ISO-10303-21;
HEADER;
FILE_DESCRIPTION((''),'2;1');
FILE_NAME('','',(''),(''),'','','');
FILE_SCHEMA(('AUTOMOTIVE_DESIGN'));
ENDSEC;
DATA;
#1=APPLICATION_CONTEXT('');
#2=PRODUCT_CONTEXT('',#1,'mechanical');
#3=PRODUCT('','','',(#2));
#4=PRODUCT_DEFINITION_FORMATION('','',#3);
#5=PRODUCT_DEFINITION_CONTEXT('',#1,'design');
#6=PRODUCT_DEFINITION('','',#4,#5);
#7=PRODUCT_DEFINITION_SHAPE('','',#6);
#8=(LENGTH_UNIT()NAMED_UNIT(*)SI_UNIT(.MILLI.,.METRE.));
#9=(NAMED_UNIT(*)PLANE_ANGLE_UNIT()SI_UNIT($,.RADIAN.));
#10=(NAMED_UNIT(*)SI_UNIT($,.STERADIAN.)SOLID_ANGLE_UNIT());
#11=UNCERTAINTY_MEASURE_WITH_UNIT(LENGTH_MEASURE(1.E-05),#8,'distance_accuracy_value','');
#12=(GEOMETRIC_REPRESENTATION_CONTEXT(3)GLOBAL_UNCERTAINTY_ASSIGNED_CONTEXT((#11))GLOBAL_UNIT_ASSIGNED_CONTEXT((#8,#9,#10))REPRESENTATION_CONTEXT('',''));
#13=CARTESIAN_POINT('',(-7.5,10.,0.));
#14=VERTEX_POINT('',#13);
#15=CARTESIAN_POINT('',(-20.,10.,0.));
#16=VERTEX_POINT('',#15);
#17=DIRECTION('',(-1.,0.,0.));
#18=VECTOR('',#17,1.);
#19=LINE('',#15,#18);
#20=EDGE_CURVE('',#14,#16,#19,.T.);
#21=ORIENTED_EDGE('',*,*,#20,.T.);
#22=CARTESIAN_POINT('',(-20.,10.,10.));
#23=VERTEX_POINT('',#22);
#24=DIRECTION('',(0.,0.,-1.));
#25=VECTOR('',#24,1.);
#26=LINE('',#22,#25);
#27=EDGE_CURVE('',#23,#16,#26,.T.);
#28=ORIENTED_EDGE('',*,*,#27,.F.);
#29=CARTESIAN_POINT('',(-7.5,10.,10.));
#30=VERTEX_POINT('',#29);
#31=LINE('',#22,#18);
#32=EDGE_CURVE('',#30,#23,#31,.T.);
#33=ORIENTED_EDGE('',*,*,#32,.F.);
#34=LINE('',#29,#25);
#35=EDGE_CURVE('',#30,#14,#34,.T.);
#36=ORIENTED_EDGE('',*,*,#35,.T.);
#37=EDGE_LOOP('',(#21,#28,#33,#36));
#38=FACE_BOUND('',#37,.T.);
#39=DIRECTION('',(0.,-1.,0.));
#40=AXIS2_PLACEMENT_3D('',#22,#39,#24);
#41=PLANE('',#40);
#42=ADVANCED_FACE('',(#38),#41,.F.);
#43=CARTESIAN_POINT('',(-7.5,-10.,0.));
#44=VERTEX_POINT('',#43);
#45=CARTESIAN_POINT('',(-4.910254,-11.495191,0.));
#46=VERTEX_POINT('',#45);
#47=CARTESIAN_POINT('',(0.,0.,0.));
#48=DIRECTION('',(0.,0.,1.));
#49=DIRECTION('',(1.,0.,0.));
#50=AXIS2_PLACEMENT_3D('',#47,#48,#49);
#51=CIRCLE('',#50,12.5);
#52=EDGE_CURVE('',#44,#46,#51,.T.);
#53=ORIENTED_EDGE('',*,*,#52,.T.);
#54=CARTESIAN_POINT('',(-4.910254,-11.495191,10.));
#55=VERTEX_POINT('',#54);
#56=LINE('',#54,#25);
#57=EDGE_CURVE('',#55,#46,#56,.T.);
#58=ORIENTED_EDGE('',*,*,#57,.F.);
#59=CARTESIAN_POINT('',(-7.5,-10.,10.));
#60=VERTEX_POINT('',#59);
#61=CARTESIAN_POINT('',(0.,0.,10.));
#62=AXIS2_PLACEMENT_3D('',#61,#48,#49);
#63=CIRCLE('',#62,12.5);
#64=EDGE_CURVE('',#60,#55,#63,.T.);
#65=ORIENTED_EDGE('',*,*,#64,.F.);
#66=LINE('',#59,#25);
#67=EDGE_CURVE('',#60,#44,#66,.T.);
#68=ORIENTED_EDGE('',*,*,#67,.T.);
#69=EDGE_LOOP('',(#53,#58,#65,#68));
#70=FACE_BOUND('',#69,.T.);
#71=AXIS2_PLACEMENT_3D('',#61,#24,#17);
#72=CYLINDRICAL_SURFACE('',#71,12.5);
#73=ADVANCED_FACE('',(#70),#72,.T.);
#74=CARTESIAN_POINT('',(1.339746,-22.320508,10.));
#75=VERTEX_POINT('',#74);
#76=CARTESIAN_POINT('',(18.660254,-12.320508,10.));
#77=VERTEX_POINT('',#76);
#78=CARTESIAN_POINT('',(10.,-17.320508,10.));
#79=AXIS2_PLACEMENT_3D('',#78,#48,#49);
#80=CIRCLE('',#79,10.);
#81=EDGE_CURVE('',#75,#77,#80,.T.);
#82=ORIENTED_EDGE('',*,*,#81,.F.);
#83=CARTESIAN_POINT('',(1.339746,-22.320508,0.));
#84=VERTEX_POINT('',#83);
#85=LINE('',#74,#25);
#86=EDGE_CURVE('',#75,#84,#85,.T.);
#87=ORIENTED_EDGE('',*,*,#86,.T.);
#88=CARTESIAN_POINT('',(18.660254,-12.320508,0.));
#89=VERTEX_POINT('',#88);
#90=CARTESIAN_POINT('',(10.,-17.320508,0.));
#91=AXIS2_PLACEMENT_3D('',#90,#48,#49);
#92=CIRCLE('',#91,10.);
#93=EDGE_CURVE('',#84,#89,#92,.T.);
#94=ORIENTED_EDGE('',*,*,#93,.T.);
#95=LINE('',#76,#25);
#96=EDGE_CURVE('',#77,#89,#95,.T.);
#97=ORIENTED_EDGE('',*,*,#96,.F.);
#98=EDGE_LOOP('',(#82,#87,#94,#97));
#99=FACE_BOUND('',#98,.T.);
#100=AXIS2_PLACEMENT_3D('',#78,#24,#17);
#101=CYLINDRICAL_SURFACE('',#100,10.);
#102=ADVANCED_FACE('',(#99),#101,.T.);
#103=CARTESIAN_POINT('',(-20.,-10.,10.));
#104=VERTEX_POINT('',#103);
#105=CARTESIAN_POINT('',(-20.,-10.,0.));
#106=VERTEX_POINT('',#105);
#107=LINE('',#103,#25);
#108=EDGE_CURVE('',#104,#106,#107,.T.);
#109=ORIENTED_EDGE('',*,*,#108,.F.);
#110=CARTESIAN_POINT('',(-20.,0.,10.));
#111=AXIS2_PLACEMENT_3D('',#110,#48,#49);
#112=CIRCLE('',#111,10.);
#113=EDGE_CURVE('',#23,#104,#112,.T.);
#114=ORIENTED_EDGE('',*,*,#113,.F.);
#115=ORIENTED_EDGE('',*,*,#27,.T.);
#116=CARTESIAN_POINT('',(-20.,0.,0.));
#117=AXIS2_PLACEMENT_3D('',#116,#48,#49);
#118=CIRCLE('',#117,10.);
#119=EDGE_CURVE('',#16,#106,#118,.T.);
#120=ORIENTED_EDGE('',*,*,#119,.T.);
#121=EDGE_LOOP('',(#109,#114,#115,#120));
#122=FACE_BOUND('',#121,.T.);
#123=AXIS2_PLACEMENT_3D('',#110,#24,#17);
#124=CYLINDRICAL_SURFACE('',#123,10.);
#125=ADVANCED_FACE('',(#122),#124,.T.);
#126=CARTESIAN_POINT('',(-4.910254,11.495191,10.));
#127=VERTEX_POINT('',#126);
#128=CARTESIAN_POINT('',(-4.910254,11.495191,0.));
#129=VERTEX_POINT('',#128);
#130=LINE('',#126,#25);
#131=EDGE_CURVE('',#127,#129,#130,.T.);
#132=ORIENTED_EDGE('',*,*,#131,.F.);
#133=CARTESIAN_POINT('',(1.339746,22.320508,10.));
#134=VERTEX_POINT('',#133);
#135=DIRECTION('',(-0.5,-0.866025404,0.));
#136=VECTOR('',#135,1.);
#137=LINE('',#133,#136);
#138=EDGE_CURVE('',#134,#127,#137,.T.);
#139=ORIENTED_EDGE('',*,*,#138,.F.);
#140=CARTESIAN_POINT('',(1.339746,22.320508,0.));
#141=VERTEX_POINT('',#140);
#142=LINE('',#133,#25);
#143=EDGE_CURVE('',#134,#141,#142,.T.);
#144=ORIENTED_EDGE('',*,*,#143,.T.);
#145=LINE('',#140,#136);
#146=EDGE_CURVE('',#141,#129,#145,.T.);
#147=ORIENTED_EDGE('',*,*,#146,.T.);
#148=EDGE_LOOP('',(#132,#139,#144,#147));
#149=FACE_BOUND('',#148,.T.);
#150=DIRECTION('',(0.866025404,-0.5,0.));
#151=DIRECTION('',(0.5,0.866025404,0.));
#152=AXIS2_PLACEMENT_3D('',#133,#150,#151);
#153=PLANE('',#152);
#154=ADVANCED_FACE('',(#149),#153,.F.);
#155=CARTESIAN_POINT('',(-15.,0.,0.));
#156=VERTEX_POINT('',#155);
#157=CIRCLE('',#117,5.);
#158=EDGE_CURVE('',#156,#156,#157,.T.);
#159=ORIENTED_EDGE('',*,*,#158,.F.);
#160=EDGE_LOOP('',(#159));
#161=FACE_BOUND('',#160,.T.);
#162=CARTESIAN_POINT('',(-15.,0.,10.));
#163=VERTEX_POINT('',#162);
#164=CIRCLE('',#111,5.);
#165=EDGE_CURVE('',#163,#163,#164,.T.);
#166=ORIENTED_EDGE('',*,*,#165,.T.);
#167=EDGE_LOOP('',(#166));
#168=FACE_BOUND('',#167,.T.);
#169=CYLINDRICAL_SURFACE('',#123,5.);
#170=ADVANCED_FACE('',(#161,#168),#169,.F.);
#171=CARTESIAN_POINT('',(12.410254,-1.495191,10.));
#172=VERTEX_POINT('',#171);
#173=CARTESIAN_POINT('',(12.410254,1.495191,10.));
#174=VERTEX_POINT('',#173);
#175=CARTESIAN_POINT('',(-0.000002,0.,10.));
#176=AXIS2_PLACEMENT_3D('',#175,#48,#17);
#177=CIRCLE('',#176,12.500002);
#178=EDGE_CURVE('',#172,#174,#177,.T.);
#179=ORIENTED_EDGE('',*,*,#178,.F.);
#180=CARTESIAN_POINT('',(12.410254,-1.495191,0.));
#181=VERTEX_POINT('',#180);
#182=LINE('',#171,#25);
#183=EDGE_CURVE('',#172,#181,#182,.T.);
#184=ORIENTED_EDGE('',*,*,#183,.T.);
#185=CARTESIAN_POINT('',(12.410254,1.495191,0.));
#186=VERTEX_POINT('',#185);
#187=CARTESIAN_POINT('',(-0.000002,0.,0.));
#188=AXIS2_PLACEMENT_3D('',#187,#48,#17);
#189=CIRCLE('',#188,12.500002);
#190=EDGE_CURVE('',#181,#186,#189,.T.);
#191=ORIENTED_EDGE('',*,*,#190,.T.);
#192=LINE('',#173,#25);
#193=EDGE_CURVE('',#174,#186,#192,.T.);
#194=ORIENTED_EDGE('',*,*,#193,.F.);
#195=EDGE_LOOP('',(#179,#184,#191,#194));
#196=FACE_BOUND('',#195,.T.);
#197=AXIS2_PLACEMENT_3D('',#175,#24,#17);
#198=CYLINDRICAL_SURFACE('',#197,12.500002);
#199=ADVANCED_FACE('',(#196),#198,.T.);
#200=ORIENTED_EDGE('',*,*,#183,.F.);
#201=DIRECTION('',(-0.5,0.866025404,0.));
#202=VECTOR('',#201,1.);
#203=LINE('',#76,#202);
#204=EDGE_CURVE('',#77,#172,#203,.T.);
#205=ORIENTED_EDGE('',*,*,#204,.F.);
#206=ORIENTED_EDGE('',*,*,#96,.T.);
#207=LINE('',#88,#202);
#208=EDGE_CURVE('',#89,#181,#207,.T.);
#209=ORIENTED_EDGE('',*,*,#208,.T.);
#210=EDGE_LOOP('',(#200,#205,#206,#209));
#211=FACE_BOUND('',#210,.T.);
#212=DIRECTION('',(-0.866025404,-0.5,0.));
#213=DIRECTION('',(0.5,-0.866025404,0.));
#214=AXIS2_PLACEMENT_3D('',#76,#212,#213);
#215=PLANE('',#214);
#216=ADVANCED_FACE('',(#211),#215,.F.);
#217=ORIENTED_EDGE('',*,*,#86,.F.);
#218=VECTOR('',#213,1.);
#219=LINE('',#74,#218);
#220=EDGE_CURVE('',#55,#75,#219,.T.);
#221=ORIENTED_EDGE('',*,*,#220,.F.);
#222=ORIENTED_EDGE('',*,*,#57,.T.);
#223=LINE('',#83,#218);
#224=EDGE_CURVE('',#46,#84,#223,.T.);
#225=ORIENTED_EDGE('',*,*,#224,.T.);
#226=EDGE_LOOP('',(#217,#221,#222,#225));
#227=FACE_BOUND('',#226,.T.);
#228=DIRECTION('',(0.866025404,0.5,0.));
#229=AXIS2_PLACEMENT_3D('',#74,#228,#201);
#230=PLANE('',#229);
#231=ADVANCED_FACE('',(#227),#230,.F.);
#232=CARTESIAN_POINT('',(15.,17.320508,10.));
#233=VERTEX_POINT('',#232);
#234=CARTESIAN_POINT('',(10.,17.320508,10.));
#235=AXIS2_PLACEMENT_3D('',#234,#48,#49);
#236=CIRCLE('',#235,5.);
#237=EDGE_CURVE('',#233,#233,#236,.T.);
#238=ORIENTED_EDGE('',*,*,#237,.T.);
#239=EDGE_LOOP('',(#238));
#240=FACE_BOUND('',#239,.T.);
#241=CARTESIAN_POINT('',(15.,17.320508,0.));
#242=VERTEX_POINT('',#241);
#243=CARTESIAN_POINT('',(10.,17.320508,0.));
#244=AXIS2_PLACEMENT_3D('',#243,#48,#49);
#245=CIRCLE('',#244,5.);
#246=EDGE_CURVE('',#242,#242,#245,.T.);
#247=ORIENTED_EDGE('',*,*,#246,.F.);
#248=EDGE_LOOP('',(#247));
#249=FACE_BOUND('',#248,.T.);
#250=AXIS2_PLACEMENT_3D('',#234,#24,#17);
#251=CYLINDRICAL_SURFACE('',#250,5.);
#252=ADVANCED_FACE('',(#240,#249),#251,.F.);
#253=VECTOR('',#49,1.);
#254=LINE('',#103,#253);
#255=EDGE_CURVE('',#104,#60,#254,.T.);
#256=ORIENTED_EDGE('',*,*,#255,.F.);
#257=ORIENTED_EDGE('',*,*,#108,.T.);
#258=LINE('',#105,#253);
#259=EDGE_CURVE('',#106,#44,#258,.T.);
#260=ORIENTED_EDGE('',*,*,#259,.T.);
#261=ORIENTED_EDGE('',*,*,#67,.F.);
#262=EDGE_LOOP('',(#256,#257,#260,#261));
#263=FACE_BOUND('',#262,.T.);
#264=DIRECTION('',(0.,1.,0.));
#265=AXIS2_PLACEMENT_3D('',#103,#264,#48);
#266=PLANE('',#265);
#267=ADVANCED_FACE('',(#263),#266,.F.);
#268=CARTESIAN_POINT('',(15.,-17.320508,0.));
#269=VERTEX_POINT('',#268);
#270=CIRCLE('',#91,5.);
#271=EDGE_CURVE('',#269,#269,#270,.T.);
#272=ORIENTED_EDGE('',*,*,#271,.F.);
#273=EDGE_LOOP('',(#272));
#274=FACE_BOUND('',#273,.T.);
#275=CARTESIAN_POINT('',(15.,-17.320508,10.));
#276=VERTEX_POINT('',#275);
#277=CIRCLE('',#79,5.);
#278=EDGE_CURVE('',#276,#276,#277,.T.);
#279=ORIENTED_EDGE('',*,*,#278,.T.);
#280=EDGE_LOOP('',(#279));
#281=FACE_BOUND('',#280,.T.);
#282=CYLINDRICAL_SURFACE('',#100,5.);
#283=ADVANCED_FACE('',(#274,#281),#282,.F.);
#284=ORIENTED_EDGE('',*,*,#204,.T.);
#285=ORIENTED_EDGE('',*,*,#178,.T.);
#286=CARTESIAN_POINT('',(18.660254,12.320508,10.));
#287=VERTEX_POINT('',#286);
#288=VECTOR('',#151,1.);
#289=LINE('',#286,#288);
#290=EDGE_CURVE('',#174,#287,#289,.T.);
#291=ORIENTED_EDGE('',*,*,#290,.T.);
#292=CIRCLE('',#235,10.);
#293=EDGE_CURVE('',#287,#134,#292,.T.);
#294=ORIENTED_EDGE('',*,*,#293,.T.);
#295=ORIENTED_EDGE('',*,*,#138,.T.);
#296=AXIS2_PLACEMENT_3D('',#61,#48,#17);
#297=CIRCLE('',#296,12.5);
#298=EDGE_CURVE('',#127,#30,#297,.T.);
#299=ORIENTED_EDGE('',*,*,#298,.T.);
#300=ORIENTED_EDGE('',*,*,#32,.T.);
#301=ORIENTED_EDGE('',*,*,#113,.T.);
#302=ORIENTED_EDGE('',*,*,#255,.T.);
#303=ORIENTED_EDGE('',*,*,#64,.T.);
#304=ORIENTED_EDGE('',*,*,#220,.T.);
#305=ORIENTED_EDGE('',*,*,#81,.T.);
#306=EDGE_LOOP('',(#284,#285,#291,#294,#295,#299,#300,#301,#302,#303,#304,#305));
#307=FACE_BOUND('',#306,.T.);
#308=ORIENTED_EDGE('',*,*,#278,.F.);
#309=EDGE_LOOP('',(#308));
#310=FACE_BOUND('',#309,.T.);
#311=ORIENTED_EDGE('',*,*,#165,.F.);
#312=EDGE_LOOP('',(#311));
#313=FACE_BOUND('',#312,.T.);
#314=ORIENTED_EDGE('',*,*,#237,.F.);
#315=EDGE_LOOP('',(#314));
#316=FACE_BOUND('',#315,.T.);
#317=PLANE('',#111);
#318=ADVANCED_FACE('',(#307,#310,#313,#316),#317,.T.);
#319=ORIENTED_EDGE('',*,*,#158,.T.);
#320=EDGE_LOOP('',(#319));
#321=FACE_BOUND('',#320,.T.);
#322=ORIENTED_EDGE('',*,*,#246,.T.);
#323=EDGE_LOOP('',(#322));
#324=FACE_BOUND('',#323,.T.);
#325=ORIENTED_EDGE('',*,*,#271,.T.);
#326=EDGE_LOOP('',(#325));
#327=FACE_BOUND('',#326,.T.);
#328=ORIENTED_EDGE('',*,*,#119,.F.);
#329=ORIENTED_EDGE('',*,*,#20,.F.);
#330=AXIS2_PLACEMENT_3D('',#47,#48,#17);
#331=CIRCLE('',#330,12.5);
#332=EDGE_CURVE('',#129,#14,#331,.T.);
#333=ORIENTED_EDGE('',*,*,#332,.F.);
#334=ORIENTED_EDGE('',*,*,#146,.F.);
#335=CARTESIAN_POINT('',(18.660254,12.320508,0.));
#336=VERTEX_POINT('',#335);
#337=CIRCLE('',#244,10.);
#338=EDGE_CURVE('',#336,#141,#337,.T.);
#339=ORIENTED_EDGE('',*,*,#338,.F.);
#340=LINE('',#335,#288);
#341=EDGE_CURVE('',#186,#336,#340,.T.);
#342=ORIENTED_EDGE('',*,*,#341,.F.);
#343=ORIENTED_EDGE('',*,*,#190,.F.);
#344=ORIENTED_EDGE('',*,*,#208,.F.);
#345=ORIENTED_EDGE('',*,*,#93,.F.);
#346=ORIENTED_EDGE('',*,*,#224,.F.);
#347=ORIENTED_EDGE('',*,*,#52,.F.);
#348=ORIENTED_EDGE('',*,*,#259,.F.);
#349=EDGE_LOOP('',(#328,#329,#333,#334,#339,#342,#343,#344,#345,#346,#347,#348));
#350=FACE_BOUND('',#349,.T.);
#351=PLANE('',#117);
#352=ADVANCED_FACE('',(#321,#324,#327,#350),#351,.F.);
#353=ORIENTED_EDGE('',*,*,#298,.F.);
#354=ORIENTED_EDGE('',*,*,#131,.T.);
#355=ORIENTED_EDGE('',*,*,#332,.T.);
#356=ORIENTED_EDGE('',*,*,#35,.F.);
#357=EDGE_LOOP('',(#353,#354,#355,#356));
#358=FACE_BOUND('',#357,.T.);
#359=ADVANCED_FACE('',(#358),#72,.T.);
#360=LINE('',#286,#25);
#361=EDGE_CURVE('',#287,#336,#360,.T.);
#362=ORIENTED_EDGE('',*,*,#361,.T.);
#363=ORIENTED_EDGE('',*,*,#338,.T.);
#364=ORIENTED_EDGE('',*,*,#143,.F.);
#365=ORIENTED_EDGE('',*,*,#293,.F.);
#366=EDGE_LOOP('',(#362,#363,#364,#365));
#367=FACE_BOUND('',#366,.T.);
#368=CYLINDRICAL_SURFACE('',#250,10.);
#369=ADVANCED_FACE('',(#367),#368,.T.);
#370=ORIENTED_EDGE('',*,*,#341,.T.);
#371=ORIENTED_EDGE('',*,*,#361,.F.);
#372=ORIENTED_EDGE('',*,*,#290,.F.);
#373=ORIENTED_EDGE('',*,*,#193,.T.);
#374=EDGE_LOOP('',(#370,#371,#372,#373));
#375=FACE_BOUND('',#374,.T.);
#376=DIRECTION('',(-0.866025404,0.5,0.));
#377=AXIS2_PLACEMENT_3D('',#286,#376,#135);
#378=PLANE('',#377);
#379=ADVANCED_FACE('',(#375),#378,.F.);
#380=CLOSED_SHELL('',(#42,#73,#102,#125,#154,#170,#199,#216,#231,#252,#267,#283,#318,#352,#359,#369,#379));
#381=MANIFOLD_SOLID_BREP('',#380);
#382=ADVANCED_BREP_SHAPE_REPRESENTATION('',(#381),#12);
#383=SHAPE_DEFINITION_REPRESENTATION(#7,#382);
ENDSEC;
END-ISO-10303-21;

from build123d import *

# Parameters (mm, degrees)
CROQUIS1_R              = 5
SALIENTE_EXTRUIR1_DEPTH = 10


with BuildPart() as part:
    # Croquis1 → Saliente-Extruir1 (new body)
    with BuildSketch(Plane.XY):
        with BuildLine():
            Line((-20, 10), (-7.5, 10))
            ThreePointArc((-7.5, 10), (-6.25, 10.825317547), (-4.910254038, 11.495190528))
            Line((-4.910254038, 11.495190528), (1.339745962, 22.320508076))
            ThreePointArc((1.339745962, 22.320508076), (15, 25.980762114), (18.660254038, 12.320508076))
            Line((18.660254038, 12.320508076), (12.410254038, 1.495190528))
            ThreePointArc((12.410254038, 1.495190528), (12.499999989, 0), (12.410254038, -1.495190528))
            Line((12.410254038, -1.495190528), (18.660254038, -12.320508076))
            ThreePointArc((18.660254038, -12.320508076), (15, -25.980762114), (1.339745962, -22.320508076))
            Line((1.339745962, -22.320508076), (-4.910254038, -11.495190528))
            ThreePointArc((-4.910254038, -11.495190528), (-6.25, -10.825317547), (-7.5, -10))
            Line((-7.5, -10), (-20, -10))
            ThreePointArc((-20, -10), (-30, 0), (-20, 10))
        make_face()
        with Locations((-20, 0)):
            Circle(CROQUIS1_R, mode=Mode.SUBTRACT)
        with Locations((10, 17.320508076)):
            Circle(CROQUIS1_R, mode=Mode.SUBTRACT)
        with Locations((10, -17.320508076)):
            Circle(CROQUIS1_R, mode=Mode.SUBTRACT)
    extrude(amount=SALIENTE_EXTRUIR1_DEPTH)


solid = part.part
